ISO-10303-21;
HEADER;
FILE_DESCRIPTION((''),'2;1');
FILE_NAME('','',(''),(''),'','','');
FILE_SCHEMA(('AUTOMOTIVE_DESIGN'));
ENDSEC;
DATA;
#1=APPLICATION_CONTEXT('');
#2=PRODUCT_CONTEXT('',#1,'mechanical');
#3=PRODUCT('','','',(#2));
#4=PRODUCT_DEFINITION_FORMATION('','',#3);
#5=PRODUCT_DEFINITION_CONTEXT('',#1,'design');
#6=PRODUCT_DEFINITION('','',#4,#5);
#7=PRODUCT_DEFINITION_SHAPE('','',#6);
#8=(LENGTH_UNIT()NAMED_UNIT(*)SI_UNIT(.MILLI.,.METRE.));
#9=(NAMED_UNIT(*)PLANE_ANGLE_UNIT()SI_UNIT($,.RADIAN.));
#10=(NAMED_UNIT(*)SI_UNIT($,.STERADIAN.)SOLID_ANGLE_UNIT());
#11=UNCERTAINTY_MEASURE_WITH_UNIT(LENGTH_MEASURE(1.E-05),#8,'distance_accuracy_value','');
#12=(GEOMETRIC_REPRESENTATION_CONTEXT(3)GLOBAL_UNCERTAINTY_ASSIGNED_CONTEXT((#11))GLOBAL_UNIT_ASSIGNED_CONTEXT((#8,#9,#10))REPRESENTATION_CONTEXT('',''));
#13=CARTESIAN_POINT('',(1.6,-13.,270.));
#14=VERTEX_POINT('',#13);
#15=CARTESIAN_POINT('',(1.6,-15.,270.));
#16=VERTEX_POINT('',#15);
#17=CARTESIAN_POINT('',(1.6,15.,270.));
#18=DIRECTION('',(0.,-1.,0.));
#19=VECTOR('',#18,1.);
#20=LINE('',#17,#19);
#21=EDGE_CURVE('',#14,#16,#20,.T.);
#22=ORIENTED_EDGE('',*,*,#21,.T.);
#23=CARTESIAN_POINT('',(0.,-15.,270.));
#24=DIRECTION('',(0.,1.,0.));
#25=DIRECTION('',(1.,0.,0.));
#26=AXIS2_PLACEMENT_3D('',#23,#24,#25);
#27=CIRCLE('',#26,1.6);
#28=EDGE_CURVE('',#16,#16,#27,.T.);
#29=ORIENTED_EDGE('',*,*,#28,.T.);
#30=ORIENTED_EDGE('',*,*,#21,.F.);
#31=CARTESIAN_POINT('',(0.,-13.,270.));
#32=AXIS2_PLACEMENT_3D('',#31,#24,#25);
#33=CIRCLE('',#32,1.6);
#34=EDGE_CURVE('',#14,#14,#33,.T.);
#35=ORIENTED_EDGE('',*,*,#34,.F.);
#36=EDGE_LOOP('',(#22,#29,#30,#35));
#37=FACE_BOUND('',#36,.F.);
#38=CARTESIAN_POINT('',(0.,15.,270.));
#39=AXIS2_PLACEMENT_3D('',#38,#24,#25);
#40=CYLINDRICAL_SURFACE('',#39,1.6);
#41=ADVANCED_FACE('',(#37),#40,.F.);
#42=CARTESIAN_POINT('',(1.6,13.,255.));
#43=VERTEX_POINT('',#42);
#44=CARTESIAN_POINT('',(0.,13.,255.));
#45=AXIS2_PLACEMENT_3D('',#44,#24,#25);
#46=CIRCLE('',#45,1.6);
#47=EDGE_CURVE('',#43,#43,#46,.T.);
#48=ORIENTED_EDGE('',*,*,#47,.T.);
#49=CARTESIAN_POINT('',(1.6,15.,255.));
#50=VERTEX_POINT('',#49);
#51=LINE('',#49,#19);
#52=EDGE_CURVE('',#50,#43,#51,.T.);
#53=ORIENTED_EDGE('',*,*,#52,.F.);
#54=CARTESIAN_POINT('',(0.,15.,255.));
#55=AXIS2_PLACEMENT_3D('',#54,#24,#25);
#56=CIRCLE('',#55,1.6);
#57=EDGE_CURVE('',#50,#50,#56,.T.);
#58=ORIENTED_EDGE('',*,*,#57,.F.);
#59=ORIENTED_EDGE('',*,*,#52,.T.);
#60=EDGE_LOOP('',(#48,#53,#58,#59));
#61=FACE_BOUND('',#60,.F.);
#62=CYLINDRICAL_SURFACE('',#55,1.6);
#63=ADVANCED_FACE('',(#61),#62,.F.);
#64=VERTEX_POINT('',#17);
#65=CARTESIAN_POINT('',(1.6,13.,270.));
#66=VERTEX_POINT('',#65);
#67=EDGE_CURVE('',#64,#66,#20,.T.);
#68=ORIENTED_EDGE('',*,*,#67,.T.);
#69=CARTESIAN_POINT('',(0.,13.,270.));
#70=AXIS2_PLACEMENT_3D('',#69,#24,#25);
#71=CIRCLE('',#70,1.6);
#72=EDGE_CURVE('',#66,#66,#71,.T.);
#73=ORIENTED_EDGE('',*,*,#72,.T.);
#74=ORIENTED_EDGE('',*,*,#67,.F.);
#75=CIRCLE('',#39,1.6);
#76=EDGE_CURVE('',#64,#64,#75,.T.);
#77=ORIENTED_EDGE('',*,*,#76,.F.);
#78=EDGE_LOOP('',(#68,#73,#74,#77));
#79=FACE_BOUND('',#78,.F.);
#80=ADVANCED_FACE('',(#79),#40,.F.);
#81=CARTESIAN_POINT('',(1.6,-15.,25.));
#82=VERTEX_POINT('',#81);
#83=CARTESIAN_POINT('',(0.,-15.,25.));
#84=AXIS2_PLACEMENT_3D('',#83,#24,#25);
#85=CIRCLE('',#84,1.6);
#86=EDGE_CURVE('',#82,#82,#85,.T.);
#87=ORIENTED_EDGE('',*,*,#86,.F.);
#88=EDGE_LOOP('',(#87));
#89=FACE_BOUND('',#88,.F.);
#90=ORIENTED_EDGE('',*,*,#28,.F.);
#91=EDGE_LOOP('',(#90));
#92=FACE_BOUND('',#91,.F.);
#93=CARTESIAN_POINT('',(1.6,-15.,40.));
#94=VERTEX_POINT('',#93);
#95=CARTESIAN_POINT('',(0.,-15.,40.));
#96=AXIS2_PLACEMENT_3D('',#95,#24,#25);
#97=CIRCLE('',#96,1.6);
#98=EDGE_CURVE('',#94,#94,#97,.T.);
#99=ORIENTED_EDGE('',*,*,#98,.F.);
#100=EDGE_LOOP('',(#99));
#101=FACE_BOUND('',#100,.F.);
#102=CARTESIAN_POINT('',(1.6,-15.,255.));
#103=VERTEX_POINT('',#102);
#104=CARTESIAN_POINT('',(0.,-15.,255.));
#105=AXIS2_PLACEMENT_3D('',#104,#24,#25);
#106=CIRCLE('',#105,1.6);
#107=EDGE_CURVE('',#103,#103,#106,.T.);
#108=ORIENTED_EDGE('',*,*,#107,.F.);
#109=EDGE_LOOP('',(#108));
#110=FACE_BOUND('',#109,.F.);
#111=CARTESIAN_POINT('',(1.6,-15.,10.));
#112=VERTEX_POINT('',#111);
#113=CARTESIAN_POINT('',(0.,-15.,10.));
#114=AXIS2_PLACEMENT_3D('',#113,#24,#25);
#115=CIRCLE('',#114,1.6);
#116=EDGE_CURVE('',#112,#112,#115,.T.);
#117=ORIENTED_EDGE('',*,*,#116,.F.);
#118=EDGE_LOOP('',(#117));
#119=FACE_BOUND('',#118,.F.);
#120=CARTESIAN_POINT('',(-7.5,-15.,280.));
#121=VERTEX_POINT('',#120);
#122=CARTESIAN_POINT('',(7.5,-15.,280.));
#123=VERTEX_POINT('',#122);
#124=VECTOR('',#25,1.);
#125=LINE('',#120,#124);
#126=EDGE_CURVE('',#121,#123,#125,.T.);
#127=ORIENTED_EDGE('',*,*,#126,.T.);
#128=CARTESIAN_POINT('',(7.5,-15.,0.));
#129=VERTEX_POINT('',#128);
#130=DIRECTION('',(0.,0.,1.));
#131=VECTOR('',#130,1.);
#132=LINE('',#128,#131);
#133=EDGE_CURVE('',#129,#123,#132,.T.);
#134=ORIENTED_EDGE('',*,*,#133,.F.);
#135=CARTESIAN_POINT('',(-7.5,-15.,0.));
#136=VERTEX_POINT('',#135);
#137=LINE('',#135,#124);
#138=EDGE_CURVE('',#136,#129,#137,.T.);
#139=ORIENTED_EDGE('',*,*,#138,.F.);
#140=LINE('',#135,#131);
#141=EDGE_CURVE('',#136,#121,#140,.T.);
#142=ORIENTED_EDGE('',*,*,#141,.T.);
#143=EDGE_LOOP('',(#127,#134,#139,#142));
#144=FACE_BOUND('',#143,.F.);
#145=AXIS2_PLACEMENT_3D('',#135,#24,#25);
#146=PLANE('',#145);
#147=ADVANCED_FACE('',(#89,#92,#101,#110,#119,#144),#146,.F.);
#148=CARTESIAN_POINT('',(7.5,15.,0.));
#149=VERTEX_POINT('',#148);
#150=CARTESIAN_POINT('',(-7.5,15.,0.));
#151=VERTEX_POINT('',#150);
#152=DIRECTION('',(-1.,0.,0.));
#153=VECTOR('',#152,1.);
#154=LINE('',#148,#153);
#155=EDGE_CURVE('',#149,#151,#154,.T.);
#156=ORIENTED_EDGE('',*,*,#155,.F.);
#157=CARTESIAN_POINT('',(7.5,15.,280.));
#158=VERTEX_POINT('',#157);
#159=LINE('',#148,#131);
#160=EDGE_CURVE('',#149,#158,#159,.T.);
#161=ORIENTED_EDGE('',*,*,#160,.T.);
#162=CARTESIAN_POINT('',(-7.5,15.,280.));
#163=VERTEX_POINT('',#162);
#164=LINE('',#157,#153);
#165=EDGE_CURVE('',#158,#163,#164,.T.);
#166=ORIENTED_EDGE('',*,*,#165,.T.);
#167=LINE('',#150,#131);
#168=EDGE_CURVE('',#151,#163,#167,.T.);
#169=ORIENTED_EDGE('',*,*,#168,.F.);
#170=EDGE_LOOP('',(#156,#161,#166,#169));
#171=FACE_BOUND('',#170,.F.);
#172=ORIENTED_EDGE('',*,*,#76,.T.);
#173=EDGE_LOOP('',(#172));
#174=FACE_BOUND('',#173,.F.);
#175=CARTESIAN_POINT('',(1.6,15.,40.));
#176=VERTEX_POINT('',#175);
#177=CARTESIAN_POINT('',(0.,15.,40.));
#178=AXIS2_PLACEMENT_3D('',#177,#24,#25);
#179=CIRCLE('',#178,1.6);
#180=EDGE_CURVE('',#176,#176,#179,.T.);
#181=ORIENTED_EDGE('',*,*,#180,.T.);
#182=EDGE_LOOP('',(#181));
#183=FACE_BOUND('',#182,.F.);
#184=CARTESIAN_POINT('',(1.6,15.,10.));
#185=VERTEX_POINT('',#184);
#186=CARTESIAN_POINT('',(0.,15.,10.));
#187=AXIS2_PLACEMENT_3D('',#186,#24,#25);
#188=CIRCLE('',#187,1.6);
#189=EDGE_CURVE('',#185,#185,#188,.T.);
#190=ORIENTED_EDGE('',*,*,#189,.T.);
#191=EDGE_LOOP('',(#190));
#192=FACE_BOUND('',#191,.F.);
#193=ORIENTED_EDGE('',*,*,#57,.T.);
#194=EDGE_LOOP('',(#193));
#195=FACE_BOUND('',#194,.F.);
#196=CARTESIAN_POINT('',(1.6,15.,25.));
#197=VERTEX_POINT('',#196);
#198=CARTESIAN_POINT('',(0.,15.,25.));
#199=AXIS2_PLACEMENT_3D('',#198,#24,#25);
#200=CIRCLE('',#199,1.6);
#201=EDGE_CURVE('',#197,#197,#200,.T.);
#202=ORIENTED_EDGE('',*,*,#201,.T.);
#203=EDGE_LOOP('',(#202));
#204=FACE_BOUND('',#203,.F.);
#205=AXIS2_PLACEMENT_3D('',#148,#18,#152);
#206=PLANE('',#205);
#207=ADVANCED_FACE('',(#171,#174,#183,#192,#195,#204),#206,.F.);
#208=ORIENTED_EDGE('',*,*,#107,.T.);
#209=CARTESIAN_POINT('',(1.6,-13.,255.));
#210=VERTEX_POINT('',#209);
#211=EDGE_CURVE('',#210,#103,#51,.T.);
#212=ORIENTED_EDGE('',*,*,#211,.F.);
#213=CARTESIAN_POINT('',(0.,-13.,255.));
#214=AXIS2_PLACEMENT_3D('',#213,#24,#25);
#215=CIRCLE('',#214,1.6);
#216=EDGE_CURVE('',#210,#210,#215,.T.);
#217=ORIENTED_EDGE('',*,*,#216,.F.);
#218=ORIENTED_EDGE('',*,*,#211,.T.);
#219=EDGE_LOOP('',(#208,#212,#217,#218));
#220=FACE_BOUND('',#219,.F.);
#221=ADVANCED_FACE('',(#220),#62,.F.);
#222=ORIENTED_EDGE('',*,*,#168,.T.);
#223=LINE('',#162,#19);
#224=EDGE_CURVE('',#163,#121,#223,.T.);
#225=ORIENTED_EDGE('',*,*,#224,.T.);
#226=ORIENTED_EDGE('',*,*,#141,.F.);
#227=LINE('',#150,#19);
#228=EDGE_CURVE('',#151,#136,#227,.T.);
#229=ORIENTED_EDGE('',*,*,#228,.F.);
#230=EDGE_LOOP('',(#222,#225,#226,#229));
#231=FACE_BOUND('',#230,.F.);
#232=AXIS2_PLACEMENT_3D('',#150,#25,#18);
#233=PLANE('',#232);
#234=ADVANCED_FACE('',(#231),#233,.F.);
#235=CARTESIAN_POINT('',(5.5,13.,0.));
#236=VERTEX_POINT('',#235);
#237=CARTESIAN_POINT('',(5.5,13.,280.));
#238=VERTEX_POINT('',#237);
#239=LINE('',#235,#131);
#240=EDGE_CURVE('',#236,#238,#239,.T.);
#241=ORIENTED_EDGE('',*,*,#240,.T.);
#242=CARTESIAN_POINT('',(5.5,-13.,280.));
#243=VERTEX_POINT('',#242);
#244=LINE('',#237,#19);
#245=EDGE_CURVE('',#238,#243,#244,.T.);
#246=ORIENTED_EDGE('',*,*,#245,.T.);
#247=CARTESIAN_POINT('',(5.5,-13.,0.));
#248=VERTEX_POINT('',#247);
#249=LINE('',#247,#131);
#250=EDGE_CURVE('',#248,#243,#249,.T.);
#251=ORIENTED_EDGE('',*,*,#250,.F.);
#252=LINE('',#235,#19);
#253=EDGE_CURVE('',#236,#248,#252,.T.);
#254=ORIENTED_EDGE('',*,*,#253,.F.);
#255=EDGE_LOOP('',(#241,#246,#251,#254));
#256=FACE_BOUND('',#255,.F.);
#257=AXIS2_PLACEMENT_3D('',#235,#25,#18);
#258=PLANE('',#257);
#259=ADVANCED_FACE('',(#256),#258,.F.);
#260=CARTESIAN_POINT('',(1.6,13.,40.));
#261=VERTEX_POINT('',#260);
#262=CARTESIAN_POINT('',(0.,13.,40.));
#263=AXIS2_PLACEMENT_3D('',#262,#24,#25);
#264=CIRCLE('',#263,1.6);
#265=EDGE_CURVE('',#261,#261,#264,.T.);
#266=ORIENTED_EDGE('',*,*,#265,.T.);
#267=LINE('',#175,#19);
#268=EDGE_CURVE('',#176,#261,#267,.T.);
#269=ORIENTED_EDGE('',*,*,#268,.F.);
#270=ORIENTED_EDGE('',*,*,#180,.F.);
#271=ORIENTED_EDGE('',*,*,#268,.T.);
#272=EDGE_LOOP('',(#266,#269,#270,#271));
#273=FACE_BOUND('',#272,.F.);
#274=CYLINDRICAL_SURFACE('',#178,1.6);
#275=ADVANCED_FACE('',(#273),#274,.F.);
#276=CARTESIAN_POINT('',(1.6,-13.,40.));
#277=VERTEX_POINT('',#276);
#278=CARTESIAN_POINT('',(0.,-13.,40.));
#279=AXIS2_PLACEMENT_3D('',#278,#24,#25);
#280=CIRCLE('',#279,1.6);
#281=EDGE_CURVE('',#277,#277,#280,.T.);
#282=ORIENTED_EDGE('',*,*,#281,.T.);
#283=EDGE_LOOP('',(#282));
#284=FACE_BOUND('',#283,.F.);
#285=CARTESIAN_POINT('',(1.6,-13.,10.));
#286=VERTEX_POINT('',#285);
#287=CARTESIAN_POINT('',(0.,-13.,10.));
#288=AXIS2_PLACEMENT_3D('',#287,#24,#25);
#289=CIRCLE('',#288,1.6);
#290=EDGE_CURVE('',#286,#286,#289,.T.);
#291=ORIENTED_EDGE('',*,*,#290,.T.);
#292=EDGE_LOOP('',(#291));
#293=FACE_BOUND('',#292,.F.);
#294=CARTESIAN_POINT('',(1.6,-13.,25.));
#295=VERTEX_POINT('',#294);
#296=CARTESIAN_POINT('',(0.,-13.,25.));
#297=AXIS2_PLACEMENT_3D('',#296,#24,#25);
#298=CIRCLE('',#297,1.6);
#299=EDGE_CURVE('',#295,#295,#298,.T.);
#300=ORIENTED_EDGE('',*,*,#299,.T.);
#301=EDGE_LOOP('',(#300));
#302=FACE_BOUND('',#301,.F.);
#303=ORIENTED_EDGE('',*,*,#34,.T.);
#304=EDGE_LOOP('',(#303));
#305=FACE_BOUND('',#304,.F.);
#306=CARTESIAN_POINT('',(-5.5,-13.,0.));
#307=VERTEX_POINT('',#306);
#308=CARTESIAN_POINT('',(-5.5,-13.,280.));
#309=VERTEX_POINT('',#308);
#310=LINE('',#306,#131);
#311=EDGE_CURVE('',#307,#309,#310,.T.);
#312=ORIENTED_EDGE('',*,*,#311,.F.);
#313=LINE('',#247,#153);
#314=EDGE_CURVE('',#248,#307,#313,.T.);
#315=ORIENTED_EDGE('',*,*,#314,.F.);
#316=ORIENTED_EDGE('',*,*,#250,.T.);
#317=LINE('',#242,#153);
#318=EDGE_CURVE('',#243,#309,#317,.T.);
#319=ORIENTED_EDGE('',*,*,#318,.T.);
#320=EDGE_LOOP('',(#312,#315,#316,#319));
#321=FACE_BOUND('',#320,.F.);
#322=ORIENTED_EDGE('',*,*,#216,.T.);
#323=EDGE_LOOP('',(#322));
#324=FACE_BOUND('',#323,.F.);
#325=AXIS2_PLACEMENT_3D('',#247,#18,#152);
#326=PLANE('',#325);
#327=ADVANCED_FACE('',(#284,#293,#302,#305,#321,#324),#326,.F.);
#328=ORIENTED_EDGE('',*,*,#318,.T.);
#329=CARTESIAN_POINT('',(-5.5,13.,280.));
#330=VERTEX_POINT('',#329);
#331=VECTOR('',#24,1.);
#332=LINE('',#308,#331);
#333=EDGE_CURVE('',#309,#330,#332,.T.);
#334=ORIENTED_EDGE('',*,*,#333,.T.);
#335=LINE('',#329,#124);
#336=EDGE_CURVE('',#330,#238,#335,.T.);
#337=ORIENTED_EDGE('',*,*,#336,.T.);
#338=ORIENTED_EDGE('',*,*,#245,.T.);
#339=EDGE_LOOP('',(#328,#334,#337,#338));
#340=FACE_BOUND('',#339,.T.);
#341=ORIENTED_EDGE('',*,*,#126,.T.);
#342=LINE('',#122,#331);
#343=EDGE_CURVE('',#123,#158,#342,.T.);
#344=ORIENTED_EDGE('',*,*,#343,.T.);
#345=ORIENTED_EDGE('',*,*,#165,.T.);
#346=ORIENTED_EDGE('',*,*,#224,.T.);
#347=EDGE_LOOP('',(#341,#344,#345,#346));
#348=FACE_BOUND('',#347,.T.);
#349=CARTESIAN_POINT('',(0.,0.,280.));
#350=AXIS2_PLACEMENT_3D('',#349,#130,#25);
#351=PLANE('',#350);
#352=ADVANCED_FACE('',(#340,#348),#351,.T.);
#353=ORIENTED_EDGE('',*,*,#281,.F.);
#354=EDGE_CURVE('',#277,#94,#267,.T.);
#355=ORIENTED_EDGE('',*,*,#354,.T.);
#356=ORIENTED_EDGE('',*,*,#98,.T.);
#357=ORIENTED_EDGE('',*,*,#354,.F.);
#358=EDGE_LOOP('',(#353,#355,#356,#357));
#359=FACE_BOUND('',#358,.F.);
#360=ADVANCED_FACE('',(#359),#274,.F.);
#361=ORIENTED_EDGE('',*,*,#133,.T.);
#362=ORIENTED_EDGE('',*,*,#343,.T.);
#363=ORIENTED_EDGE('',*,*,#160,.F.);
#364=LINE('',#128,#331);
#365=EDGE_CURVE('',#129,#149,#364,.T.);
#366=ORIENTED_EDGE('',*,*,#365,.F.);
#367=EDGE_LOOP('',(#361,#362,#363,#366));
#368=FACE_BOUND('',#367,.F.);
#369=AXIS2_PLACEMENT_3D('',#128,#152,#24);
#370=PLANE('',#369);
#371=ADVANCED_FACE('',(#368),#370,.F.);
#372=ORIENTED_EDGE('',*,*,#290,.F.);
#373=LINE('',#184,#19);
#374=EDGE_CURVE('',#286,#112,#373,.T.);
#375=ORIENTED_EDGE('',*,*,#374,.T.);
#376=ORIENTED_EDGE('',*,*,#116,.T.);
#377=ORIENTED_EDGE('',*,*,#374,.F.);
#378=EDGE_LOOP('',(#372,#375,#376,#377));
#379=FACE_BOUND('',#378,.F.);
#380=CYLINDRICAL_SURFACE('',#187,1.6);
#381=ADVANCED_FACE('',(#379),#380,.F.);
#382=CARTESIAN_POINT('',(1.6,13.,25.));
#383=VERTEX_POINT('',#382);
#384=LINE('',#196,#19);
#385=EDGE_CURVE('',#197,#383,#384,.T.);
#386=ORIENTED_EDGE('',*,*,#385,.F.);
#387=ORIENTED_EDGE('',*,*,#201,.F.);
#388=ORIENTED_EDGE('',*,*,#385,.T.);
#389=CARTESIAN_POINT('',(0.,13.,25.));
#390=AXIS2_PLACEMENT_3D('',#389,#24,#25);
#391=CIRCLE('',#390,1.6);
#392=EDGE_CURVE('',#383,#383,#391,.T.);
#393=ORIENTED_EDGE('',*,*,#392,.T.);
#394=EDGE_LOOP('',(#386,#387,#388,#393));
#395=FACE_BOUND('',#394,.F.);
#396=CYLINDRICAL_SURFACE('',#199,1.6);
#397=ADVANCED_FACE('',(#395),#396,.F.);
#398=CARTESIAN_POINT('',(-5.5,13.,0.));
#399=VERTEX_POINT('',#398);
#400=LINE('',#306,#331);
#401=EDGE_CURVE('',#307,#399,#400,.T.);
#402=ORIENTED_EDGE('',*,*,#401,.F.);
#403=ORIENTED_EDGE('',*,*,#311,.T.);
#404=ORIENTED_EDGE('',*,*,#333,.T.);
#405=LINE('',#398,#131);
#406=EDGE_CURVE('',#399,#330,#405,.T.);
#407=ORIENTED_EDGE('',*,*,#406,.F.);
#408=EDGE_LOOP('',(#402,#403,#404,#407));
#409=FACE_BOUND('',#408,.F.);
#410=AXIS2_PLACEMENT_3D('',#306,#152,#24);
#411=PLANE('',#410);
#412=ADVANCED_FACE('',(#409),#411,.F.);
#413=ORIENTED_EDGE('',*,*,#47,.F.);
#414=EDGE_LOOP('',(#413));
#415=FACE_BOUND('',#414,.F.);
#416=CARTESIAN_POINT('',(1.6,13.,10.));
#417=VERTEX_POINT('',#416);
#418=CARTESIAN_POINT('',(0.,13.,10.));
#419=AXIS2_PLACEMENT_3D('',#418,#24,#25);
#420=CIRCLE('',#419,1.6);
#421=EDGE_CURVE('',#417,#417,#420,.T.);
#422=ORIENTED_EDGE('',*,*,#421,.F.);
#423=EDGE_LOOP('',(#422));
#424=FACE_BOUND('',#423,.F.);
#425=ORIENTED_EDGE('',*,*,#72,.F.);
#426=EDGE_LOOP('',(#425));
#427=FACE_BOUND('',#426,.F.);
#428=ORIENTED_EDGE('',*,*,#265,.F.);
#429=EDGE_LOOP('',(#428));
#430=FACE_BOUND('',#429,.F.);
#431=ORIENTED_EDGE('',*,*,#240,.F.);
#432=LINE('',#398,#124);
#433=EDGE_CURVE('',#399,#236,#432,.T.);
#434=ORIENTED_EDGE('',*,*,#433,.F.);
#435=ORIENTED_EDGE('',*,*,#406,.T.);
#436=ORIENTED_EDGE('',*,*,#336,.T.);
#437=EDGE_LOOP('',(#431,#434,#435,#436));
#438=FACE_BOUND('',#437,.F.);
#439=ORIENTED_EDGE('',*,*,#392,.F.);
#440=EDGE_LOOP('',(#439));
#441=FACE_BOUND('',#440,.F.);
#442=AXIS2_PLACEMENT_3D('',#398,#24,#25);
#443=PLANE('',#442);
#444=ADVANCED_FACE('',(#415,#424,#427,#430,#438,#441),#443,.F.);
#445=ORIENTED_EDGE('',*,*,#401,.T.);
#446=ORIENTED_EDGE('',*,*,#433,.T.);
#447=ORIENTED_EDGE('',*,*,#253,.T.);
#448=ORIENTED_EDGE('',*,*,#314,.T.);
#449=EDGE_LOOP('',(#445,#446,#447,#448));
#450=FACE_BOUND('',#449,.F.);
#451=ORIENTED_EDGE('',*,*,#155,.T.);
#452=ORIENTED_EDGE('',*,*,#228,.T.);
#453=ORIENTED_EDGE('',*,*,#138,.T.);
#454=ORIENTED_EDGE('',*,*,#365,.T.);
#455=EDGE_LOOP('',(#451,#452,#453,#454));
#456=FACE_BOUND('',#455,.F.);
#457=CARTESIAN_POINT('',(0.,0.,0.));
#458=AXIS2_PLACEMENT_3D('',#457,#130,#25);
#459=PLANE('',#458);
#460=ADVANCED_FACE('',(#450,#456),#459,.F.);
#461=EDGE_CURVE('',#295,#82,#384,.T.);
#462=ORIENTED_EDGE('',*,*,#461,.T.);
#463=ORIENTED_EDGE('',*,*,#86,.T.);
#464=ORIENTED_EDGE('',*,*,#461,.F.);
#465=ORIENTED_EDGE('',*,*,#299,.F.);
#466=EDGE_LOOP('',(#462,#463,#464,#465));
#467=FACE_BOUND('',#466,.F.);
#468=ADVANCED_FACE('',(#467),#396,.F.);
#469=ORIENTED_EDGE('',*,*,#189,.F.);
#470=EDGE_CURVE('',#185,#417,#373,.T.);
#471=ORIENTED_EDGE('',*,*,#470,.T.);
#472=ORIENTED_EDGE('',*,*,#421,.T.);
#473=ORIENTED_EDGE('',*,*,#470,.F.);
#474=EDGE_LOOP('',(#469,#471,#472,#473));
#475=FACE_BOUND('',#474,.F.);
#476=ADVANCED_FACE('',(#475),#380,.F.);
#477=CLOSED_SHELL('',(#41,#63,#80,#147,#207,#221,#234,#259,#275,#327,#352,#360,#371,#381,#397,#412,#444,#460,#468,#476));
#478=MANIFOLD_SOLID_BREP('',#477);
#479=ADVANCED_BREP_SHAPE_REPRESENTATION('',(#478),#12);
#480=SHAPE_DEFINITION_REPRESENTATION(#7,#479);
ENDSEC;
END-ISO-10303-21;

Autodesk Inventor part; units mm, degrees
ref_plane "YZ Plane" through (0, 0, 0) normal (1, 0, 0) x (0, 1, 0)
ref_plane "XZ Plane" through (0, 0, 0) normal (0, 1, 0) x (-1, 0, 0)
ref_plane "XY Plane" through (0, 0, 0) normal (0, 0, 1) x (1, 0, 0)
sketch "スケッチ1" plane through (0, 0, 0) normal (0, 0, 1) x (1, 0, 0)
  line L0 (7.5, 15) -> (-7.5, 15)
  line L1 (-7.5, 15) -> (-7.5, -15)
  line L2 (-7.5, -15) -> (7.5, -15)
  line L3 (7.5, -15) -> (7.5, 15)
  line L4 (7.5, 15) -> (-7.5, -15) construction
  line L5 (-7.5, 15) -> (7.5, -15) construction
  line L6 (-5.5, 13) -> (5.5, 13)
  line L7 (5.5, 13) -> (5.5, -13)
  line L8 (5.5, -13) -> (-5.5, -13)
  line L9 (-5.5, -13) -> (-5.5, 13)
  point P0 (0, 0)
  dimension "d0" = 15
  dimension "d1" = 30
  dimension "d2" = 2
extrude "押し出し1" add sketch "スケッチ1" along normal blind 280
sketch "スケッチ2" plane through (-7.5, 15, 0) normal (0, 1, 0) x (1, 0, 0)
  circle A0 centre (7.5, -10) radius 1.6
  circle A1 centre (7.5, -25) radius 1.6
  circle A2 centre (7.5, -40) radius 1.6
  line L0 (15, 0) -> (0, 0) projected
  circle A3 centre (7.5, -270) radius 1.6
  circle A4 centre (7.5, -255) radius 1.6
  line L1 (15, -280) -> (0, -280) projected
  point P0 (7.5, 0)
  point P1 (7.5, 0)
  dimension "d5" = 3.2
  dimension "d6" = 3.2
  dimension "d7" = 3.2
  dimension "d8" = 10
  dimension "d9" = 15
  dimension "d10" = 15
  dimension "d11" = 3.2
  dimension "d12" = 3.2
  dimension "d13" = 10
  dimension "d14" = 15
extrude "押し出し2" cut sketch "スケッチ2" against normal through all
properties part number "オムニ_角柱2" material "アルミニウム 6061"
